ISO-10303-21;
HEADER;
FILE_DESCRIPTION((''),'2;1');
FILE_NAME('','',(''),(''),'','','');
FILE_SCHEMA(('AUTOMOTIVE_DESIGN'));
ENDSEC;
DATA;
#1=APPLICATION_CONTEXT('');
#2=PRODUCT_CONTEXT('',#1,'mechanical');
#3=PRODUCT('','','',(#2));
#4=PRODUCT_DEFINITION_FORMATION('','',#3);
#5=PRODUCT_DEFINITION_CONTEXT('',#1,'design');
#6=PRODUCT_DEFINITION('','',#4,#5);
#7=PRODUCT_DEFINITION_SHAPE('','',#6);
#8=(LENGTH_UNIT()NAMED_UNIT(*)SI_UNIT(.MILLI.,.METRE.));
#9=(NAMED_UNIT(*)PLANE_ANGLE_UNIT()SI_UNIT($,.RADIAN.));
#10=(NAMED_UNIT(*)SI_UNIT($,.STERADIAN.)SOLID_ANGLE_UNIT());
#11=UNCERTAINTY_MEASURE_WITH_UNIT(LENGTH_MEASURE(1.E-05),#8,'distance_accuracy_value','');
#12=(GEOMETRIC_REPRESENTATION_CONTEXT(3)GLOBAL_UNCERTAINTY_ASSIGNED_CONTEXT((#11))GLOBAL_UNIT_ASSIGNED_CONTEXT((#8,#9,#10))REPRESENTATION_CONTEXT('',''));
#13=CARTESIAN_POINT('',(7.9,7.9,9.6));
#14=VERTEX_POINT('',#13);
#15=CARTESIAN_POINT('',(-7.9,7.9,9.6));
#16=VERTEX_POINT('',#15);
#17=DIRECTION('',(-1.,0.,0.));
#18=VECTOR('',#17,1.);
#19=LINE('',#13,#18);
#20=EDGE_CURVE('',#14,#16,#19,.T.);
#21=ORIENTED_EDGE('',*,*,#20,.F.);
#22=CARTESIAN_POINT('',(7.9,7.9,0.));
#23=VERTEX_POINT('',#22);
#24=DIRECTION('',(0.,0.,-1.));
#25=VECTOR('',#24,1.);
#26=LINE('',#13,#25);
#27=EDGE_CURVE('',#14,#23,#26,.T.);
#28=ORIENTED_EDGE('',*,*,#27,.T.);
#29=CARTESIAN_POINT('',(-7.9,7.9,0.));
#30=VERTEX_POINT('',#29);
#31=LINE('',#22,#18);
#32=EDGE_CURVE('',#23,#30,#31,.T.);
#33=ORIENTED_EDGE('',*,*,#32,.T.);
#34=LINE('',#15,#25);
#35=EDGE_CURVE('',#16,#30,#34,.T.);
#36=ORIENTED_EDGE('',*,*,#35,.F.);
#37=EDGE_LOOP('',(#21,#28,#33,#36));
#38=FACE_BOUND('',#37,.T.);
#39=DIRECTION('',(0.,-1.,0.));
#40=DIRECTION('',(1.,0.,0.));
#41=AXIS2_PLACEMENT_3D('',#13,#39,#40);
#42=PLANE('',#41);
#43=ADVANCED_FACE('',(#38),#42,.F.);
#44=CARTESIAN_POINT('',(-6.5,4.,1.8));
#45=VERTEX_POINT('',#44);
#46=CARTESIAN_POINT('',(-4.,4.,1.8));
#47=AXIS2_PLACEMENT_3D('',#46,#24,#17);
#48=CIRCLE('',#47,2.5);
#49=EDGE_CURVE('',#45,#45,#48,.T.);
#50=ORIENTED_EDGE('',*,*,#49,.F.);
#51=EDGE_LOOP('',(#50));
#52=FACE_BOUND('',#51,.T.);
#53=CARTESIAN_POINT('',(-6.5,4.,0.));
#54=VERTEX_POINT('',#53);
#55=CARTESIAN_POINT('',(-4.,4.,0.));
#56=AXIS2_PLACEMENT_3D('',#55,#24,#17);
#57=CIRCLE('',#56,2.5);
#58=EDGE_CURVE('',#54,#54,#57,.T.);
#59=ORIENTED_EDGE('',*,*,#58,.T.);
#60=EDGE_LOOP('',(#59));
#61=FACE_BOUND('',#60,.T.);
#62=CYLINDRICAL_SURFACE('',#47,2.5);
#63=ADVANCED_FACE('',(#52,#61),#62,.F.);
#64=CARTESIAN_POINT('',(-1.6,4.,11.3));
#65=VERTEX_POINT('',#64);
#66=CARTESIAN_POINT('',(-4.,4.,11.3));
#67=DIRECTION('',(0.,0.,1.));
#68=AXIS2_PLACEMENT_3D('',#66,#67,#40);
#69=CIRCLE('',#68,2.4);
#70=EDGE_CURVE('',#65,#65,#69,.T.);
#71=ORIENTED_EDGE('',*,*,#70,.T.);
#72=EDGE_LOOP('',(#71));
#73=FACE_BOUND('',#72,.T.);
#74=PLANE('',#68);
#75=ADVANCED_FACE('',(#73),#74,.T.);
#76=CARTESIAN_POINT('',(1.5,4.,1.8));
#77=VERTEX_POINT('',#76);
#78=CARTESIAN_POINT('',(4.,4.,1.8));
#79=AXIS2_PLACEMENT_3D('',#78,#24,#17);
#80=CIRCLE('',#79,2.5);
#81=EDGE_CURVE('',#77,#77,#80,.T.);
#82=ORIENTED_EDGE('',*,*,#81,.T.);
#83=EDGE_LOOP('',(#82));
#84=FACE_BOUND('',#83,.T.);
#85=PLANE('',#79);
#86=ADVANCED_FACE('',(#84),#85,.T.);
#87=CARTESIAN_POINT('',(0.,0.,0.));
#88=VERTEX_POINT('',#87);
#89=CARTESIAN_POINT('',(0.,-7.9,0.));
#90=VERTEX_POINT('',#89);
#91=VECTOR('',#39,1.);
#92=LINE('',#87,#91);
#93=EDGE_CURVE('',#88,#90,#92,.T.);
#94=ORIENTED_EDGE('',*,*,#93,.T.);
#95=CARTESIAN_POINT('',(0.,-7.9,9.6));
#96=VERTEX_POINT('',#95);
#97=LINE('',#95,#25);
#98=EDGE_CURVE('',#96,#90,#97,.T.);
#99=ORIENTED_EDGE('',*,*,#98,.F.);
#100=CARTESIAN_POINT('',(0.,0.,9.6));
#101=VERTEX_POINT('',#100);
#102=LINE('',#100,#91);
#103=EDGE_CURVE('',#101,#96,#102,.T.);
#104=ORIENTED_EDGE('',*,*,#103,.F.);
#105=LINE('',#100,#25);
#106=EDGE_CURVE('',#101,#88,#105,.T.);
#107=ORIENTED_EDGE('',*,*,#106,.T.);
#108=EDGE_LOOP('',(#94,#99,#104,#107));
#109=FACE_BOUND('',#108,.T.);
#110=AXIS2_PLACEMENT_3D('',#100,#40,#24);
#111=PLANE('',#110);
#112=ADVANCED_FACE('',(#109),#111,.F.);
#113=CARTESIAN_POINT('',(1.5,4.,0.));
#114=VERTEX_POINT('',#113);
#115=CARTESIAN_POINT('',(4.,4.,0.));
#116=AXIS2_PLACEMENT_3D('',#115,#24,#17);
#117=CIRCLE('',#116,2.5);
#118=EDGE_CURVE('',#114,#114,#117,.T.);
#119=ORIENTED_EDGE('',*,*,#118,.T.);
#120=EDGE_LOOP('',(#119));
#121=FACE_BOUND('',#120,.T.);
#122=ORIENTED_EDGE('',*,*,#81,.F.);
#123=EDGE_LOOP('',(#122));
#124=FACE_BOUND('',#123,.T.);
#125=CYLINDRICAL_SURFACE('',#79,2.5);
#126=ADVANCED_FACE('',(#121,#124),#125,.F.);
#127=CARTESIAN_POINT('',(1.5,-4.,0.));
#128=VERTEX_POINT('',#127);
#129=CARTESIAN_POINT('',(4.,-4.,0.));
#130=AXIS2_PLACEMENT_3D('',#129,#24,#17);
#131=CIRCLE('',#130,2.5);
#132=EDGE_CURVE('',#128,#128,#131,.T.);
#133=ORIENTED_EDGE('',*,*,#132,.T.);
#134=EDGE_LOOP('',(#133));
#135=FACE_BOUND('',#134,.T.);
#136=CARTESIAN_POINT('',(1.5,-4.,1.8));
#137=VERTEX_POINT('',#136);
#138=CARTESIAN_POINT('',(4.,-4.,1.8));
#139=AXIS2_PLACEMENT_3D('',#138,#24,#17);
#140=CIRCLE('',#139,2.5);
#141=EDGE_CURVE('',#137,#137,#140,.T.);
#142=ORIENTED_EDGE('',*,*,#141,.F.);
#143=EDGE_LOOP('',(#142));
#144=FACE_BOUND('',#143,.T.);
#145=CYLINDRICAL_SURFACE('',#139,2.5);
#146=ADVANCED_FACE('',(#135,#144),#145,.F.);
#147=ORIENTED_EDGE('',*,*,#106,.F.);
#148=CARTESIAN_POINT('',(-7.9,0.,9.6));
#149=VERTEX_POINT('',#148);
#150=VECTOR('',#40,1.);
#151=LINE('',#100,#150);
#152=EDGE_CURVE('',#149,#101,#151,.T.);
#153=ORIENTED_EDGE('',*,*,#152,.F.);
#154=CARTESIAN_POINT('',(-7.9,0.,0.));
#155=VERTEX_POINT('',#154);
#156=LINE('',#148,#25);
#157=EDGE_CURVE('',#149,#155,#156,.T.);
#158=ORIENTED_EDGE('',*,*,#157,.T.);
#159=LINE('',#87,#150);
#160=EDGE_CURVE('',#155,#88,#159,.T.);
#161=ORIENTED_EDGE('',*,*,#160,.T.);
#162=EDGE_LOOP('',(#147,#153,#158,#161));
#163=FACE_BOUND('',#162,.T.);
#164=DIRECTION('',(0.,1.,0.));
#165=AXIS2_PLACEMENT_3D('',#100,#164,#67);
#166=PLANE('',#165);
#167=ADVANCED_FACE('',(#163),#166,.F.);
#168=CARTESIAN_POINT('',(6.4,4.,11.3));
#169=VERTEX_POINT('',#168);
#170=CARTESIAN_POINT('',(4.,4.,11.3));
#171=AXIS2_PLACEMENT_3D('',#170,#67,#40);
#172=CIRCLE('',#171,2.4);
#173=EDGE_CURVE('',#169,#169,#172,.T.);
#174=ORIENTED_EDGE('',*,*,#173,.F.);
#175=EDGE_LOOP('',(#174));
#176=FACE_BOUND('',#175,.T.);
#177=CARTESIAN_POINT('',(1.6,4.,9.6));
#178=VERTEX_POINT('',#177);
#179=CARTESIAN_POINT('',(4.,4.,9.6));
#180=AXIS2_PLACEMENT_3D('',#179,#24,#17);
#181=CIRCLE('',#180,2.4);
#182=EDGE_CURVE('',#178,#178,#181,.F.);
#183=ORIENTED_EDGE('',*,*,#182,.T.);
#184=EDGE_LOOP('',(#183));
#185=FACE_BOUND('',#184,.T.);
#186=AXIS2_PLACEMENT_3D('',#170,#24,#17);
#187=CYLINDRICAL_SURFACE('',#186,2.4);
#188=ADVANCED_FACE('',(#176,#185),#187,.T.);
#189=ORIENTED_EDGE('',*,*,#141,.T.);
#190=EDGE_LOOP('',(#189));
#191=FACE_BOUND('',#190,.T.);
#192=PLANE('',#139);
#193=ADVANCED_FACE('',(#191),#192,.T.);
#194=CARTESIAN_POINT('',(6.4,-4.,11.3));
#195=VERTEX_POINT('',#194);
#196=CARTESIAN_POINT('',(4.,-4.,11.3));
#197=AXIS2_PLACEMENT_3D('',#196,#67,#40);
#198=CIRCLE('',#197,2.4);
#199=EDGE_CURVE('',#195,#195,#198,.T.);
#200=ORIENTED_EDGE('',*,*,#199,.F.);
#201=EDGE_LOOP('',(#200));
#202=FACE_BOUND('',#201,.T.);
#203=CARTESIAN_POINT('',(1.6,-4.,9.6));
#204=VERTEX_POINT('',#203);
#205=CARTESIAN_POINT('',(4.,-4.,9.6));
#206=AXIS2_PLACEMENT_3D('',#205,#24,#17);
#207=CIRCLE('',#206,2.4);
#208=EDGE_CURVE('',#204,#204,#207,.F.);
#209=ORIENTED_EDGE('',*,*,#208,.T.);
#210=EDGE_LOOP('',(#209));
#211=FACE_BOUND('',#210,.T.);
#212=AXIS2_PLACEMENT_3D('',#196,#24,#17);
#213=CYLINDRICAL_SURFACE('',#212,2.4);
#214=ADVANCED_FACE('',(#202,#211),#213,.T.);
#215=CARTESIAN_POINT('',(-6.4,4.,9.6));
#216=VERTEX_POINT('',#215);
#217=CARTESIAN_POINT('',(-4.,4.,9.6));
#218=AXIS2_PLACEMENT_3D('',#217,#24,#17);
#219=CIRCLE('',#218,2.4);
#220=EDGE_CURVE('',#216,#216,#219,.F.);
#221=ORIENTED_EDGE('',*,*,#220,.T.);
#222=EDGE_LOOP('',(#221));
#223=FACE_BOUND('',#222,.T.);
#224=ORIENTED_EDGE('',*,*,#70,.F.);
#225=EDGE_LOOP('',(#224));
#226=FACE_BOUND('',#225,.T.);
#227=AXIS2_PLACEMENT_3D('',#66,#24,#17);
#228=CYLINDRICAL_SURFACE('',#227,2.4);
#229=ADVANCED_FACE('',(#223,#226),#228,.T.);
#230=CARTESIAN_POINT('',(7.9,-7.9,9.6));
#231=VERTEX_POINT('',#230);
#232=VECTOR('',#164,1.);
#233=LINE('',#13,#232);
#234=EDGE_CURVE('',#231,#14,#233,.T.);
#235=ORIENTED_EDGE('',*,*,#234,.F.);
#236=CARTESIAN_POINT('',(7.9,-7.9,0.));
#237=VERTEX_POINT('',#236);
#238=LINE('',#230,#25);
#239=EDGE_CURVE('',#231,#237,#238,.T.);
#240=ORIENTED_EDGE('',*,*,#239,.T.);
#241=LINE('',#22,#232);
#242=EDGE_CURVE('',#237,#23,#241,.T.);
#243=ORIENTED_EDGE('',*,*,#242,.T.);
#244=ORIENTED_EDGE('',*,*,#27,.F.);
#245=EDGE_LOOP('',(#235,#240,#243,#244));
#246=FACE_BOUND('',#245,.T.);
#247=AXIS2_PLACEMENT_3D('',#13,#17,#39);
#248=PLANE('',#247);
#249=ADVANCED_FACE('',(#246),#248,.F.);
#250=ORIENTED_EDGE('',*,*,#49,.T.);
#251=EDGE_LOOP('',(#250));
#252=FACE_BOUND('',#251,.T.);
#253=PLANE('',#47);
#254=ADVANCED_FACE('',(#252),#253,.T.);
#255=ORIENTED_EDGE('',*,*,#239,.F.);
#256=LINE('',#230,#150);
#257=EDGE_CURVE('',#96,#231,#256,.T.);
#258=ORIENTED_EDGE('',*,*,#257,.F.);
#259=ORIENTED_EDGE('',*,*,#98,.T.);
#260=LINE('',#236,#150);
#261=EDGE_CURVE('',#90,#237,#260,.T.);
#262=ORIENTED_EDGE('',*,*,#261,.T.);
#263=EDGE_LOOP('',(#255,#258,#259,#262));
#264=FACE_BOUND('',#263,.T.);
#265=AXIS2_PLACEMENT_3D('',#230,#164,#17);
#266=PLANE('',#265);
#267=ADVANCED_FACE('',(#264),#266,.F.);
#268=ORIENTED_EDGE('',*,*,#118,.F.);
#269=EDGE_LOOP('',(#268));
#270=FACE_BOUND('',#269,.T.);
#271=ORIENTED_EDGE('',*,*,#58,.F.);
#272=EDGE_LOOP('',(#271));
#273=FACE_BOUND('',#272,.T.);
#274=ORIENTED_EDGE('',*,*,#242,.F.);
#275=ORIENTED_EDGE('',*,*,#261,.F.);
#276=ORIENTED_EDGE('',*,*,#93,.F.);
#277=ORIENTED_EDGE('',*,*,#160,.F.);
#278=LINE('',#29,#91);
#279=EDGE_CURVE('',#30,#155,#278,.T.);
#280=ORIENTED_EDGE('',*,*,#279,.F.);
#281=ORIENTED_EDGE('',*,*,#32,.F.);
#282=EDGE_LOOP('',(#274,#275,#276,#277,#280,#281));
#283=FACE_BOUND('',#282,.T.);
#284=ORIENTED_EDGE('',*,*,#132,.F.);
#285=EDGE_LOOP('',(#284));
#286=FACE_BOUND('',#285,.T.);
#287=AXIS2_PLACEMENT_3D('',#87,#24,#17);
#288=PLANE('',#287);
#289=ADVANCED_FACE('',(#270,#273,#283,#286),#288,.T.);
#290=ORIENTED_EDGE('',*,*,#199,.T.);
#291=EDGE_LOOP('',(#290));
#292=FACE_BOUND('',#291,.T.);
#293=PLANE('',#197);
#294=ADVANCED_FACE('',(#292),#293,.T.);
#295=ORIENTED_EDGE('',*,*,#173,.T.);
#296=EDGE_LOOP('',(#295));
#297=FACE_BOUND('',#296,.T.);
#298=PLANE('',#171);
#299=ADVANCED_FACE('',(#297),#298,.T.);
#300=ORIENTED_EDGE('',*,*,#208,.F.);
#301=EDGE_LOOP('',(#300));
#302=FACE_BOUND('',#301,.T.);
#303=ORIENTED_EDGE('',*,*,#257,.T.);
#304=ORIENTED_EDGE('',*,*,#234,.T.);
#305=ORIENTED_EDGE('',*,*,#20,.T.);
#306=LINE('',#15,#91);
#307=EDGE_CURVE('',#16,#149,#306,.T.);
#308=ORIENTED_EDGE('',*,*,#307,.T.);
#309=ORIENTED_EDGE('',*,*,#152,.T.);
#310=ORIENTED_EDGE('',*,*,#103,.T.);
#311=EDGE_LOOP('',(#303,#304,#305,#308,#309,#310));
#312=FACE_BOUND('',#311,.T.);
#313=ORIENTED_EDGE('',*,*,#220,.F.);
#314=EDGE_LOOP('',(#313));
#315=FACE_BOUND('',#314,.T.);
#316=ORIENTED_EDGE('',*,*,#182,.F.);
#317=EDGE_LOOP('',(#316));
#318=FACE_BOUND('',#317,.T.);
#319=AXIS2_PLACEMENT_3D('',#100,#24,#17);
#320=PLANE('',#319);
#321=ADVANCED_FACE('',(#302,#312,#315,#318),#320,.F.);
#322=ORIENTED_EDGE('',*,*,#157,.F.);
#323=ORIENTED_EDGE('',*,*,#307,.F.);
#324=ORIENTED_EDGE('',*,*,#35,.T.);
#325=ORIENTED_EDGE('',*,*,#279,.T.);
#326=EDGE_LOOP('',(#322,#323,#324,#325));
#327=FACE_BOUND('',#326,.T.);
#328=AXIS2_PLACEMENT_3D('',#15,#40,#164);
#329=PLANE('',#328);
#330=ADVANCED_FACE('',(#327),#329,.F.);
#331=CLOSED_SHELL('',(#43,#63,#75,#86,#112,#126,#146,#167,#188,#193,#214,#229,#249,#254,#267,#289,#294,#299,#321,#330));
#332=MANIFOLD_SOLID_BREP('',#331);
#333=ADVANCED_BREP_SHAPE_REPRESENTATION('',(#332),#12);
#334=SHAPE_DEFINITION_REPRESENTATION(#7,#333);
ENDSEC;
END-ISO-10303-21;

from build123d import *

# Parameters (mm, degrees)
EXTRUDE_1_DEPTH     = 9.6
SKETCH_2_R          = 2.4
EXTRUDE_2_DEPTH     = 1.7
SKETCH_3_R          = 2.5
CUT_EXTRUDE_1_DEPTH = 1.8


with BuildPart() as part:
    # Эскиз1 → Бобышка-Вытянуть1 (new body)
    with BuildSketch(Plane.XY):
        Polygon((7.9, 7.9), (-7.9, 7.9), (-7.9, 0), (0, 0), (0, -7.9), (7.9, -7.9), align=None)
    extrude(amount=EXTRUDE_1_DEPTH)

    # Эскиз2 → Бобышка-Вытянуть2 (add)
    with BuildSketch(Plane.XY.offset(9.6)):
        with Locations(Location((-4, 4, 0), (0, 0, 180))):
            Circle(SKETCH_2_R)
        with Locations(Location((4, 4, 0), (0, 0, 180))):
            Circle(SKETCH_2_R)
        with Locations(Location((4, -4, 0), (0, 0, 180))):
            Circle(SKETCH_2_R)
    extrude(amount=EXTRUDE_2_DEPTH)

    # Эскиз3 → Вырез-Вытянуть1 (cut)
    with BuildSketch(Plane(origin=(0, 0, 0), x_dir=(-1, 0, 0), z_dir=(0, 0, -1))):
        with Locations((4, 4)):
            Circle(SKETCH_3_R)
        with Locations((-4, 4)):
            Circle(SKETCH_3_R)
        with Locations((-4, -4)):
            Circle(SKETCH_3_R)
    extrude(amount=-CUT_EXTRUDE_1_DEPTH, mode=Mode.SUBTRACT)


solid = part.part
